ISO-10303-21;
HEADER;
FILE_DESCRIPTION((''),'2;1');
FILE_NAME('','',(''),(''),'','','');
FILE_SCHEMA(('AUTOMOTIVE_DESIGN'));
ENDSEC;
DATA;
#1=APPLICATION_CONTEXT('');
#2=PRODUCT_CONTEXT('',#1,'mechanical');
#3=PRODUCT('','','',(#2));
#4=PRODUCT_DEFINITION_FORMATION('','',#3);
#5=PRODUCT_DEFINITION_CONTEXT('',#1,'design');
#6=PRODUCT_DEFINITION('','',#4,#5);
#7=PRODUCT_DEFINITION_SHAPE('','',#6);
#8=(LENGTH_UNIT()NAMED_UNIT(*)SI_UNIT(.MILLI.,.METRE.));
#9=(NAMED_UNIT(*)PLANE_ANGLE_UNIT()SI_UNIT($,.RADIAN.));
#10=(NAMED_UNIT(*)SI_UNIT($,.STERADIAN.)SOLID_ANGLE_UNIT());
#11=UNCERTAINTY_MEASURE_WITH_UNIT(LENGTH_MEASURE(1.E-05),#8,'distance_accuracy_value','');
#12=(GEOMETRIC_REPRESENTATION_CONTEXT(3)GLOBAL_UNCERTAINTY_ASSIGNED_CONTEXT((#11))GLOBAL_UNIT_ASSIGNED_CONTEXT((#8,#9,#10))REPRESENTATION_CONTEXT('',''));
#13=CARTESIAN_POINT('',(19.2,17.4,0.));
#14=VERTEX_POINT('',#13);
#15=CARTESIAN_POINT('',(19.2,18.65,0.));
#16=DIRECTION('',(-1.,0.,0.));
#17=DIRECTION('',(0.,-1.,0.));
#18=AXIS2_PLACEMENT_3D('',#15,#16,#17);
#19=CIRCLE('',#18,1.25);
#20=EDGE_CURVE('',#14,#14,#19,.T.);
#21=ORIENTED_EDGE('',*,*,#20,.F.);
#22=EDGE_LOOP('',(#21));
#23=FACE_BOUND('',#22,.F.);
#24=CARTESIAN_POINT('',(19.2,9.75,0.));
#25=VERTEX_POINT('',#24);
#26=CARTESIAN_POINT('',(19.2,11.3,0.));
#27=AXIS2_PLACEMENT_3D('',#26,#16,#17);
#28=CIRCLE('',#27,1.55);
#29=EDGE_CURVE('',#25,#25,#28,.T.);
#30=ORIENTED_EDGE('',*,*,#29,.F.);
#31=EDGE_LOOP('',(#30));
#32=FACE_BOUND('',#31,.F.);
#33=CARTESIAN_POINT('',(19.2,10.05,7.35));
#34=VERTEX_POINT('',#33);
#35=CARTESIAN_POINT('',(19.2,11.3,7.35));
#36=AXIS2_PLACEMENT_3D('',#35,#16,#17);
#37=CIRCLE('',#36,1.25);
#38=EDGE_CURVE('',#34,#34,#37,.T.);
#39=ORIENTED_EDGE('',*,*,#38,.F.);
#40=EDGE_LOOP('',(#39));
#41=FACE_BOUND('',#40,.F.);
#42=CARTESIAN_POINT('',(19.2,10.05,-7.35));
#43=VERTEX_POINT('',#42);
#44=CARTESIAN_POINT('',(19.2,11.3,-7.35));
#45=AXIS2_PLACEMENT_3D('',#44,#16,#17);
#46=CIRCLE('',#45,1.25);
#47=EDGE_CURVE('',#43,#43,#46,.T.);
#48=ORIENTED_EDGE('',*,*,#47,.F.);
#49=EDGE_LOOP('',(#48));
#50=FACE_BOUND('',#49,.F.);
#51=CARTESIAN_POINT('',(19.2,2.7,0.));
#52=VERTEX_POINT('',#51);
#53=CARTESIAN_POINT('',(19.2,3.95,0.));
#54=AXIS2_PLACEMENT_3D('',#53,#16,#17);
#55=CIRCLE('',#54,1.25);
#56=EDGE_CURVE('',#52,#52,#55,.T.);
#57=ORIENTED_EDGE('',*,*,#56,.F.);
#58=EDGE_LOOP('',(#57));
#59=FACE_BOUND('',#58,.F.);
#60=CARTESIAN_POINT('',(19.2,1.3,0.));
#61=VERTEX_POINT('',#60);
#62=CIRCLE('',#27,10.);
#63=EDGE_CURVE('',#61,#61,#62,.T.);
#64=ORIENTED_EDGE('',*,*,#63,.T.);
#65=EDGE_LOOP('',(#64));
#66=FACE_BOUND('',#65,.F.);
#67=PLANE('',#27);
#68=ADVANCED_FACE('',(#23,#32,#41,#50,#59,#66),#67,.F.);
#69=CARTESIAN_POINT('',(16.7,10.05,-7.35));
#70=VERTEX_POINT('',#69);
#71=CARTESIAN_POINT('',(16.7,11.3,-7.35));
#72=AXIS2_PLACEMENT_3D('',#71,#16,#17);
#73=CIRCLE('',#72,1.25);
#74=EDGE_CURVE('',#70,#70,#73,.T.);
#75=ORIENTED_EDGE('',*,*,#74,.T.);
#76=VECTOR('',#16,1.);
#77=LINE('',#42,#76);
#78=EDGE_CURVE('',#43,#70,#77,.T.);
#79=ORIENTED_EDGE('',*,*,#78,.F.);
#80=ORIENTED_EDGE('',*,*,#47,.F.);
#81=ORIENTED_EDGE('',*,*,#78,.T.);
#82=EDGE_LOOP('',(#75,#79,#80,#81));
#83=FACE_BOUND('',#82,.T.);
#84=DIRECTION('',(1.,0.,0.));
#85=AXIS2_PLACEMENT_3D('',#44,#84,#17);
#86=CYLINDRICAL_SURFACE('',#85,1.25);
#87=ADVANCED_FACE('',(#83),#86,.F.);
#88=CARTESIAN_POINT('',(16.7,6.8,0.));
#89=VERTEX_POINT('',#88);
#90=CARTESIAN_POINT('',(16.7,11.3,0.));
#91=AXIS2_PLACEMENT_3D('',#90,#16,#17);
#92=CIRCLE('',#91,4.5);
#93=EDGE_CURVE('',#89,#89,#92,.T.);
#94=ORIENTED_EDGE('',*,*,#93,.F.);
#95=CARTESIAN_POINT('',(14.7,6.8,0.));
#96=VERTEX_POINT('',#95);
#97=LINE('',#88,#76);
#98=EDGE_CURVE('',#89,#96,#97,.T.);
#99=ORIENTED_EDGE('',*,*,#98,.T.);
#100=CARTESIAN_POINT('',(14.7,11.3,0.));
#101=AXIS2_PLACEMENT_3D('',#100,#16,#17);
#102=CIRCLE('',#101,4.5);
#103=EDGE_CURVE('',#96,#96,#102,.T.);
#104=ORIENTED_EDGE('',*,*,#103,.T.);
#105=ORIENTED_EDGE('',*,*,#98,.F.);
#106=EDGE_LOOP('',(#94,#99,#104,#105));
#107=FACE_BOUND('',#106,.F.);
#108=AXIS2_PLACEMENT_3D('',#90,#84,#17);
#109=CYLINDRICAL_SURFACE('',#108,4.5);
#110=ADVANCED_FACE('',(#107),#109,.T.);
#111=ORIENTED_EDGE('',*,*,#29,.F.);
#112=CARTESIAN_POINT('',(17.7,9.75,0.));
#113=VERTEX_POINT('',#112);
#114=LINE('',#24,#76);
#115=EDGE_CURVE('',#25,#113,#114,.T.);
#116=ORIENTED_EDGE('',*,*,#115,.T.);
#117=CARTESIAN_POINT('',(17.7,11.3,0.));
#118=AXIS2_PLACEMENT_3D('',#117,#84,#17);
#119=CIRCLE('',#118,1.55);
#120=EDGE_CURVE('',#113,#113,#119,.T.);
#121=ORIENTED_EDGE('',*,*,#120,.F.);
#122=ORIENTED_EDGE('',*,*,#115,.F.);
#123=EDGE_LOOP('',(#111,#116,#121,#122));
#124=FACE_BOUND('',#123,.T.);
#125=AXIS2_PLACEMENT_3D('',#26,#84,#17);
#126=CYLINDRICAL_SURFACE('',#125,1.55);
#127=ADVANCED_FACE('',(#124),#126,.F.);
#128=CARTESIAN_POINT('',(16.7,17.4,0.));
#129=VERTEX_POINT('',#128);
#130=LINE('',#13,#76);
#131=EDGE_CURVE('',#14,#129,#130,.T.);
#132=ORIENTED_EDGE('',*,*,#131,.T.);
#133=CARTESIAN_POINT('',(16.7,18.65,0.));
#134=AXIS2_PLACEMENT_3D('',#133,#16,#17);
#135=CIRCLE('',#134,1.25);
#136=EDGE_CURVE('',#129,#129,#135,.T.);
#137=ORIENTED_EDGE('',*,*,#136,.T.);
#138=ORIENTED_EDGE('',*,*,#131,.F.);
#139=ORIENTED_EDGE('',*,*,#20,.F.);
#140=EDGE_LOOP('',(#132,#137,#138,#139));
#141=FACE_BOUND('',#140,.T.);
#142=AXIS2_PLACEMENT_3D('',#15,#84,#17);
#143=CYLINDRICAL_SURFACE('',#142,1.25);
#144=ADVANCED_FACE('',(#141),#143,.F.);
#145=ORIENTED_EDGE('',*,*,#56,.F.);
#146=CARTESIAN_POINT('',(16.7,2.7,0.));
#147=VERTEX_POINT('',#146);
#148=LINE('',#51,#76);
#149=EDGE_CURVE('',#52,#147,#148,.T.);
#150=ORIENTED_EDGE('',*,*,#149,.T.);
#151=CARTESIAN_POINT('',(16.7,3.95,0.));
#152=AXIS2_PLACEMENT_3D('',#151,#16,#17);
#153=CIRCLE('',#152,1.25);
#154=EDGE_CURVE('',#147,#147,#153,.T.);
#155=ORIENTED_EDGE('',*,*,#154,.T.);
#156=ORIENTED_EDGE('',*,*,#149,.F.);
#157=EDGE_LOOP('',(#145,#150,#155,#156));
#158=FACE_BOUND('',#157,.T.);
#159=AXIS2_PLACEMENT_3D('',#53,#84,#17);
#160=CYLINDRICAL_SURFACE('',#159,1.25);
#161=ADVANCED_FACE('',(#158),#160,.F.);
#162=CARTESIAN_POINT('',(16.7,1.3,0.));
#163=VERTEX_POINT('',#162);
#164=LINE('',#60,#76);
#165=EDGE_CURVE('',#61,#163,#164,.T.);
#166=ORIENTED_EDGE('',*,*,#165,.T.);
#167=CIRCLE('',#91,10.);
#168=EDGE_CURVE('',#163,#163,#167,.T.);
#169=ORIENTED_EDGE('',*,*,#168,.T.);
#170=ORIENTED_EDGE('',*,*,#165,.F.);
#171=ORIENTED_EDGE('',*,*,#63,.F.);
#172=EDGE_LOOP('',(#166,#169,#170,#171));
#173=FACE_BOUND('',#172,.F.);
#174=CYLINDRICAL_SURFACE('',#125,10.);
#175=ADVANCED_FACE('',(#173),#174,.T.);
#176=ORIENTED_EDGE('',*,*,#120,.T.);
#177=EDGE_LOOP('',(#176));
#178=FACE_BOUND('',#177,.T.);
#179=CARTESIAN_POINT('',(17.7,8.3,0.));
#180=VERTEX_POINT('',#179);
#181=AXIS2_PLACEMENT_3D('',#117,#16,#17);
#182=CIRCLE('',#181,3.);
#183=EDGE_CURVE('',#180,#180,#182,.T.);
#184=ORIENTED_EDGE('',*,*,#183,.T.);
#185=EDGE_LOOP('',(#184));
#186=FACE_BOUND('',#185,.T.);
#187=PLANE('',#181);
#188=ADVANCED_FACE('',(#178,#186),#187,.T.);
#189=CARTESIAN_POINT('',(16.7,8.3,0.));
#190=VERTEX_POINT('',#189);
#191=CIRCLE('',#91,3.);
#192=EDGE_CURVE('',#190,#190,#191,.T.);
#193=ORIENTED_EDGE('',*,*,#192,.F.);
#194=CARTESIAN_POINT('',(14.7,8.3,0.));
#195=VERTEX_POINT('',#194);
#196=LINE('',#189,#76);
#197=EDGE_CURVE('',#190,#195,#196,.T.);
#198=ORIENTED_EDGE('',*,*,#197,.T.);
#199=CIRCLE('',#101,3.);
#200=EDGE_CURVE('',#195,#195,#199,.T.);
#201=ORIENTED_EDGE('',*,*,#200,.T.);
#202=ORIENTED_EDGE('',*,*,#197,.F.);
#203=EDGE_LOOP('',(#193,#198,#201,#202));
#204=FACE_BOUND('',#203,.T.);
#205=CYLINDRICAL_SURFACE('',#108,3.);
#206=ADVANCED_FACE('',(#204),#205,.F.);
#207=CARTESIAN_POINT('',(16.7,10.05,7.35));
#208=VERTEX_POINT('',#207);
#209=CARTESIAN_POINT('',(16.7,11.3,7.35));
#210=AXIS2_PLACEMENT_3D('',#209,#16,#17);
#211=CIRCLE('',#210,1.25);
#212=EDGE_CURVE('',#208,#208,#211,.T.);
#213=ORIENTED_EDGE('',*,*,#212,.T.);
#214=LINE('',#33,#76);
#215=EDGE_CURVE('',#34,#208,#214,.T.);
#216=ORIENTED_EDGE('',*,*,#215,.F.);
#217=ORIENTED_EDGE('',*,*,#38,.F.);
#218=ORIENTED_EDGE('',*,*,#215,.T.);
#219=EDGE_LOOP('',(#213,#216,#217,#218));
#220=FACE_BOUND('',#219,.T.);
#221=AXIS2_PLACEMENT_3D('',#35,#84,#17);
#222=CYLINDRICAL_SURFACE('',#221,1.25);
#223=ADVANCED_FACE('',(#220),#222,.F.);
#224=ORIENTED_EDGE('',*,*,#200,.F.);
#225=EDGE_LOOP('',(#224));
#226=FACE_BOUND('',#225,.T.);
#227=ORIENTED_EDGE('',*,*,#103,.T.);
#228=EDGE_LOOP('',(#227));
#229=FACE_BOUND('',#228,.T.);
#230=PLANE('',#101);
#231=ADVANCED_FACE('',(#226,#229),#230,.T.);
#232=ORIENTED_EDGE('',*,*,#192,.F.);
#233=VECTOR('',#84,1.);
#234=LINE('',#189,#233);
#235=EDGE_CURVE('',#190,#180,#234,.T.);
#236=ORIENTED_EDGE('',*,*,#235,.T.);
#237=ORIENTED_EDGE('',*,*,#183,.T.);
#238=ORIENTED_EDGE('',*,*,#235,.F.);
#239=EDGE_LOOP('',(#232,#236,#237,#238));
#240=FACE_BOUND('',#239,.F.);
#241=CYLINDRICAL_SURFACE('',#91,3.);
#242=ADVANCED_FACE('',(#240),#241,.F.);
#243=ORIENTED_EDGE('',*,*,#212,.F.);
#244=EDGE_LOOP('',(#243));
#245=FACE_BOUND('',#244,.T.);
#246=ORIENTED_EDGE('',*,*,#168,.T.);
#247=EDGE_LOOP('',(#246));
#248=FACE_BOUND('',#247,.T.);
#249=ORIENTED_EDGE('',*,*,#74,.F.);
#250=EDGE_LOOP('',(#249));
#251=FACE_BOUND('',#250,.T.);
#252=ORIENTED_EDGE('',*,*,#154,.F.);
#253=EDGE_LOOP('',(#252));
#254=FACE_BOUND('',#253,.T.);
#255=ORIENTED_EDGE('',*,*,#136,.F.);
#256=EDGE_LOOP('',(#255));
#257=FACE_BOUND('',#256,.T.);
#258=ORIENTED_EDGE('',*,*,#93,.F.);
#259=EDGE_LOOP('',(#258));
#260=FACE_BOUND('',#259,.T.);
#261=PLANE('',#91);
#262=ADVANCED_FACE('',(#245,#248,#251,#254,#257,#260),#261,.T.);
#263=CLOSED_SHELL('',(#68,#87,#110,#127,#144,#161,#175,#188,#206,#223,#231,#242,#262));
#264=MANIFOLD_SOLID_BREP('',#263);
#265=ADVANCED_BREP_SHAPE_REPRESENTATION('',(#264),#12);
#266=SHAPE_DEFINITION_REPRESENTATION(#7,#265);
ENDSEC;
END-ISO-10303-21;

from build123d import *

# Parameters (mm, degrees)
SKETCH030_R             = 10
SKETCH030_R_2           = 1.55
SKETCH030_R_3           = 1.25
PAD027_DEPTH            = 2.5
SKETCH031_R             = 4.5
SKETCH031_R_2           = 3
PAD028_DEPTH            = 2
SKETCH032_R             = 3
POCKET009_DEPTH         = 1
BODY011_PLACEMENT_ANGLE = 180


with BuildPart() as part:
    # Sketch030 → Pad027 (new body)
    with BuildSketch(Plane.YZ):
        Circle(SKETCH030_R)
        Circle(SKETCH030_R_2, mode=Mode.SUBTRACT)
        with Locations((-7.35, 0)):
            Circle(SKETCH030_R_3, mode=Mode.SUBTRACT)
        with Locations((0, -7.35)):
            Circle(SKETCH030_R_3, mode=Mode.SUBTRACT)
        with Locations((7.35, 0)):
            Circle(SKETCH030_R_3, mode=Mode.SUBTRACT)
        with Locations((0, 7.35)):
            Circle(SKETCH030_R_3, mode=Mode.SUBTRACT)
    extrude(amount=PAD027_DEPTH)

    # Sketch031 (on Face8 of Pad027) → Pad028 (join)
    with BuildSketch(Plane.YZ.offset(2.5)):
        Circle(SKETCH031_R)
        Circle(SKETCH031_R_2, mode=Mode.SUBTRACT)
    extrude(amount=PAD028_DEPTH)

    # Sketch032 (on Face10 of Pad028) → Pocket009 (cut)
    with BuildSketch(Plane.YZ.offset(2.5)):
        Circle(SKETCH032_R)
    extrude(amount=-POCKET009_DEPTH, mode=Mode.SUBTRACT)


with BuildPart() as part_1:
    # Body011 placement: moved
    add(part.part.moved(Location((19.2, 11.3, 0))).rotate(Axis((19.2, 11.3, 0), (0, 0, 1)), BODY011_PLACEMENT_ANGLE))


solid = part_1.part
